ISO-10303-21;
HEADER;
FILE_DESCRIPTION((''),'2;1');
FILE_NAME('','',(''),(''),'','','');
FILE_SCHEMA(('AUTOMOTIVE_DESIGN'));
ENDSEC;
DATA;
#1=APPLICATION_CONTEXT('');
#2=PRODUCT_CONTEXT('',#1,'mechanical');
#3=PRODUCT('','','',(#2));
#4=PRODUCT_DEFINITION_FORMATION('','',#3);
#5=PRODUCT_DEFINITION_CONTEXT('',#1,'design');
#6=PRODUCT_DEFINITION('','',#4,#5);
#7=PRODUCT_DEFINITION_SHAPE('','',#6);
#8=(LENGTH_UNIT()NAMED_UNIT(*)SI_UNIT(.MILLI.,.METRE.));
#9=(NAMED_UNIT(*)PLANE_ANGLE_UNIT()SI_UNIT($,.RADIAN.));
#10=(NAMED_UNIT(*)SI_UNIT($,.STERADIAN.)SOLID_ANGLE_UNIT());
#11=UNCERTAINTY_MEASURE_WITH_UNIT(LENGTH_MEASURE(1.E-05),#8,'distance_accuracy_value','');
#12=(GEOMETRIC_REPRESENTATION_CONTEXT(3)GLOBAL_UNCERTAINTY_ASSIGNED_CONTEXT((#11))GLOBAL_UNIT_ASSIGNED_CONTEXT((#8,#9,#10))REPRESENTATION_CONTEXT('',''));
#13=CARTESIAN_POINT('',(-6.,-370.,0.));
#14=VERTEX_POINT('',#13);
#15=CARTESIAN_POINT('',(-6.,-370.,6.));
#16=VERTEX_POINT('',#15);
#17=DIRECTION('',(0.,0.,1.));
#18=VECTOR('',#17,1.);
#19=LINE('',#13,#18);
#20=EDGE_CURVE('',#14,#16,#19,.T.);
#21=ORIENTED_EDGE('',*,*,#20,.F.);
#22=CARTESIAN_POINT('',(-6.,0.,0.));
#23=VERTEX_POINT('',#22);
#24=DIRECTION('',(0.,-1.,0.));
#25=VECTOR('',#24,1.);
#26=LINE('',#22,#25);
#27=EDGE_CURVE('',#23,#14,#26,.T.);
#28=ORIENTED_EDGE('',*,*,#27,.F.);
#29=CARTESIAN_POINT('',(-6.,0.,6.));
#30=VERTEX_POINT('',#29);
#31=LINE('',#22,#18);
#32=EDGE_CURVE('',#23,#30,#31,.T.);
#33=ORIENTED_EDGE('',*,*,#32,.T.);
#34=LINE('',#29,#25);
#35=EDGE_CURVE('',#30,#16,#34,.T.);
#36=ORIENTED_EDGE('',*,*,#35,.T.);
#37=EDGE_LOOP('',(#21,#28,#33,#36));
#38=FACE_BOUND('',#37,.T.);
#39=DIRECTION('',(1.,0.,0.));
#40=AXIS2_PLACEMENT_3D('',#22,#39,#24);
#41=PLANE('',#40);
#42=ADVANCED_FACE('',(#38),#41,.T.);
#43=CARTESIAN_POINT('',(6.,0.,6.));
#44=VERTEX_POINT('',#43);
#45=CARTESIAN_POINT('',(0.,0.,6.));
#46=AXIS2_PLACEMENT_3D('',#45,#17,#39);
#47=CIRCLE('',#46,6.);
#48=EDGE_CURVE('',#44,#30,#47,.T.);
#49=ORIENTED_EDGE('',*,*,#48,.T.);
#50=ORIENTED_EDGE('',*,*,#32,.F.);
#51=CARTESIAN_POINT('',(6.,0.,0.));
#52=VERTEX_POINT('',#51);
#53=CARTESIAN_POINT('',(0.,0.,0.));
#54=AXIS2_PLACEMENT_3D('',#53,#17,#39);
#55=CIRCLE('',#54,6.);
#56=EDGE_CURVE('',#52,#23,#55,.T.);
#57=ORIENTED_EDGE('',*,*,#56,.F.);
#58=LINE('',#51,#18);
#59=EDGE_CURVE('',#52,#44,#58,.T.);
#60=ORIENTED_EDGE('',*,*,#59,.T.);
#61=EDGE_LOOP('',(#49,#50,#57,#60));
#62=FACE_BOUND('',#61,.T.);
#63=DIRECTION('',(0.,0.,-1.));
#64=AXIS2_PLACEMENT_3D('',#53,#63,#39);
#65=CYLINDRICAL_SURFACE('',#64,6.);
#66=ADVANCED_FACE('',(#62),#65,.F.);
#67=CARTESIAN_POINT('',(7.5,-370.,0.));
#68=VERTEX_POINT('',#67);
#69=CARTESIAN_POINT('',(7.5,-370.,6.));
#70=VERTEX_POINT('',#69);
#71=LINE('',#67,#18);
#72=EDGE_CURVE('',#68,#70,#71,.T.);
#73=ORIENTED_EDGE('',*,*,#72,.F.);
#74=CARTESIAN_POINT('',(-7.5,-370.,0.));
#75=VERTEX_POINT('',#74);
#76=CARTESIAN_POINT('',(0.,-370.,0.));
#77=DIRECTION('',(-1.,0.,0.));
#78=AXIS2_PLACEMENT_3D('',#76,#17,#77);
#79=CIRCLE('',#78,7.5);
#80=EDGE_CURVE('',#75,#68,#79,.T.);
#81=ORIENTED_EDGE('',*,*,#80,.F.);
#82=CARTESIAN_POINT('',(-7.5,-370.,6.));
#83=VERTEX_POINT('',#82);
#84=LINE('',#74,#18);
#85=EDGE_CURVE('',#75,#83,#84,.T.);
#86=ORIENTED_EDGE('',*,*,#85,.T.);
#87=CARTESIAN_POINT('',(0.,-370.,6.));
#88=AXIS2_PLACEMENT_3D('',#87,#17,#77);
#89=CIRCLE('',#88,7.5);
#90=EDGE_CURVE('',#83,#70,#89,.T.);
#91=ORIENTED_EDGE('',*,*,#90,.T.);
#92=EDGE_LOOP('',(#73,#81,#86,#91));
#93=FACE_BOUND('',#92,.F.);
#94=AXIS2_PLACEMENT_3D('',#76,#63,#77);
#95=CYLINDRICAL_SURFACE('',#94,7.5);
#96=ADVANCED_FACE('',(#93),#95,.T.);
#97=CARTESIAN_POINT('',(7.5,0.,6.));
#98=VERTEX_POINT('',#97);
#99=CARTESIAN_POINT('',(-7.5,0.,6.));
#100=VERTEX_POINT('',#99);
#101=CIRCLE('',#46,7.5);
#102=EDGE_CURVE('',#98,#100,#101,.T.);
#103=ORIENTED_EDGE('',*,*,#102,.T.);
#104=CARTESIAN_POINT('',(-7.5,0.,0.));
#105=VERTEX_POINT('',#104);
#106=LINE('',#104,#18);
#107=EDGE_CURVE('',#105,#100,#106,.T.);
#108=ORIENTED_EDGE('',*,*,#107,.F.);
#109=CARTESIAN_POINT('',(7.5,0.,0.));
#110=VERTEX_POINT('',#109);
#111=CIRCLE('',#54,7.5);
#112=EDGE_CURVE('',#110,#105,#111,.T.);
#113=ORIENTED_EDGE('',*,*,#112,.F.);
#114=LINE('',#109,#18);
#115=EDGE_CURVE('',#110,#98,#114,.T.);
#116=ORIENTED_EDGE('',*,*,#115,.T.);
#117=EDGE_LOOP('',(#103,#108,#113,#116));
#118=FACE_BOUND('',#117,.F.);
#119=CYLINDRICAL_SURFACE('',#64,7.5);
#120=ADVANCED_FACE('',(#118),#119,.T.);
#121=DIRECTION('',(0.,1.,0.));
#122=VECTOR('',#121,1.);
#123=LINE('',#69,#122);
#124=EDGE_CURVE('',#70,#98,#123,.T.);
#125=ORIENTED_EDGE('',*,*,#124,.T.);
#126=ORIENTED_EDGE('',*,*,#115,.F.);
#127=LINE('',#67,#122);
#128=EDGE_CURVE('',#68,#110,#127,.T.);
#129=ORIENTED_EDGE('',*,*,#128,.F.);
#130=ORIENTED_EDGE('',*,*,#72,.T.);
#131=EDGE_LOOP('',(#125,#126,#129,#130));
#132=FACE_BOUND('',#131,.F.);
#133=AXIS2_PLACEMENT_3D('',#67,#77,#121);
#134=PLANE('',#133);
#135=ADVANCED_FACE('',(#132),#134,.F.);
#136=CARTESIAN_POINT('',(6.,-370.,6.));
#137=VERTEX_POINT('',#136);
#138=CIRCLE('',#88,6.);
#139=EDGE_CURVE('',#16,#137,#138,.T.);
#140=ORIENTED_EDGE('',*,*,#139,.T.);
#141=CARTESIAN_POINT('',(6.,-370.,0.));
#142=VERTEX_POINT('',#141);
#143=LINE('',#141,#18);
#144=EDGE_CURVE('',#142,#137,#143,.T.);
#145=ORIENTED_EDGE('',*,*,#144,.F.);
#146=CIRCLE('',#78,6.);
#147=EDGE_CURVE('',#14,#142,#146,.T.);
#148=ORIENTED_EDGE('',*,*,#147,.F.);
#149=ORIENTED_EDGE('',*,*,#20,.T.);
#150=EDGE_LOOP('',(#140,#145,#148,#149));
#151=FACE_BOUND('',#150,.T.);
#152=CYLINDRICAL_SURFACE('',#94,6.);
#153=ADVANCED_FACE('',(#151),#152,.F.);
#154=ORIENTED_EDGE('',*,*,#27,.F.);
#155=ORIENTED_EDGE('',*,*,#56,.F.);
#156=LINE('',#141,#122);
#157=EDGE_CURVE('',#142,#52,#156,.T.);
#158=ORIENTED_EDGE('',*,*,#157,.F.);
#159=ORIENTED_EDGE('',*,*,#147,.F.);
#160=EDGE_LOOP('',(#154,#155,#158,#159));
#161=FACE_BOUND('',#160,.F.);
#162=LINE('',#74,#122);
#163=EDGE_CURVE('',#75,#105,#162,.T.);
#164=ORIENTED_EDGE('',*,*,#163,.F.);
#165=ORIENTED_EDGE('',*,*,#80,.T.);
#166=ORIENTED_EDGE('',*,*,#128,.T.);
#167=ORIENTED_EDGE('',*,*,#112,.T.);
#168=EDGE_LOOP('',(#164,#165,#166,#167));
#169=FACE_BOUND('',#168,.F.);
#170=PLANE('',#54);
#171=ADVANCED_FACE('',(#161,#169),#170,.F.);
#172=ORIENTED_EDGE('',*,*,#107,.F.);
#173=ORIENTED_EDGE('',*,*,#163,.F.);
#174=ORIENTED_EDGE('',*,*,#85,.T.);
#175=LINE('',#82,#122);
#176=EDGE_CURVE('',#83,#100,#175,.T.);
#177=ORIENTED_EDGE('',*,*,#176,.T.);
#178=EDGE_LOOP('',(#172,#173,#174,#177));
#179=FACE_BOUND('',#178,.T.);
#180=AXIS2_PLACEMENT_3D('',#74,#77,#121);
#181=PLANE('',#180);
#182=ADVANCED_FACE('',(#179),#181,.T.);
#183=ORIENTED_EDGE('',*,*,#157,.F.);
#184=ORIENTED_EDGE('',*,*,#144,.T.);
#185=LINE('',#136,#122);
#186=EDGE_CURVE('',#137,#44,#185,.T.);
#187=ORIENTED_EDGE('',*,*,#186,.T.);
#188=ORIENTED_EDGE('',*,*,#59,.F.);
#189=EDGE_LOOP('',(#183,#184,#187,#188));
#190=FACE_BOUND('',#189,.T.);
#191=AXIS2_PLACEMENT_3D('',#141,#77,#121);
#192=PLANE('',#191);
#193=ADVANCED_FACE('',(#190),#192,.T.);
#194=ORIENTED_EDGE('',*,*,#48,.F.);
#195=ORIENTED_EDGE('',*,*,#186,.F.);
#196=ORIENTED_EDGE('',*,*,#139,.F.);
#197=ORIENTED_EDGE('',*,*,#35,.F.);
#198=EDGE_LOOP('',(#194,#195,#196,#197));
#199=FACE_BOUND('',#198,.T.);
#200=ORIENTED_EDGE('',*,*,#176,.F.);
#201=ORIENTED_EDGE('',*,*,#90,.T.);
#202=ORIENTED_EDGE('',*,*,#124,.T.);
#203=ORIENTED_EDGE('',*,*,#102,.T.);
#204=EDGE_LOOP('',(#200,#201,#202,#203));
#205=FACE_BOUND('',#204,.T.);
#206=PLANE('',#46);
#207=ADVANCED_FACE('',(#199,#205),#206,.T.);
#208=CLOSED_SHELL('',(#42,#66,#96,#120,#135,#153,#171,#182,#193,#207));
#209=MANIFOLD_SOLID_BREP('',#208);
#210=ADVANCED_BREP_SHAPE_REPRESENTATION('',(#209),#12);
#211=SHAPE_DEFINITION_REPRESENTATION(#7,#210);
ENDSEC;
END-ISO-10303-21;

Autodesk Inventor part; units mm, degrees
ref_plane "YZ Plane" through (0, 0, 0) normal (1, 0, 0) x (0, 1, 0)
ref_plane "XZ Plane" through (0, 0, 0) normal (0, 1, 0) x (-1, 0, 0)
ref_plane "XY Plane" through (0, 0, 0) normal (0, 0, 1) x (1, 0, 0)
sketch "Skizze1" plane through (0, 0, 0) normal (0, 0, 1) x (1, 0, 0)
  arc A0 (6, 0) -> (-6, 0) centre (0, 0) ccw
  arc A1 (7.5, 0) -> (-7.5, 0) centre (0, 0) ccw
  arc A2 (-6, -370) -> (6, -370) centre (0, -370) ccw
  line L0 (0, -370) -> (6, -370) construction
  line L1 (0, -370) -> (-6, -370) construction
  arc A3 (-7.5, -370) -> (7.5, -370) centre (0, -370) ccw
  line L2 (0, -370) -> (7.5, -370) construction
  line L3 (0, -370) -> (-7.5, -370) construction
  line L4 (-7.5, -370) -> (-7.5, 0)
  line L5 (-6, 0) -> (-6, -370)
  line L6 (6, -370) -> (6, 0)
  line L7 (7.5, -370) -> (7.5, 0)
  dimension "d0" = 6
  dimension "d1" = 7.5
  dimension "d2" = 6
  dimension "d3" = 180
  dimension "d4" = 7.5
  dimension "d5" = 180
  dimension "d6" = 370
  dimension "d7" = 0
extrude "Extrusion1" add sketch "Skizze1" along normal blind 6
properties part number "Y belt" material "Gummi, Silikon"
